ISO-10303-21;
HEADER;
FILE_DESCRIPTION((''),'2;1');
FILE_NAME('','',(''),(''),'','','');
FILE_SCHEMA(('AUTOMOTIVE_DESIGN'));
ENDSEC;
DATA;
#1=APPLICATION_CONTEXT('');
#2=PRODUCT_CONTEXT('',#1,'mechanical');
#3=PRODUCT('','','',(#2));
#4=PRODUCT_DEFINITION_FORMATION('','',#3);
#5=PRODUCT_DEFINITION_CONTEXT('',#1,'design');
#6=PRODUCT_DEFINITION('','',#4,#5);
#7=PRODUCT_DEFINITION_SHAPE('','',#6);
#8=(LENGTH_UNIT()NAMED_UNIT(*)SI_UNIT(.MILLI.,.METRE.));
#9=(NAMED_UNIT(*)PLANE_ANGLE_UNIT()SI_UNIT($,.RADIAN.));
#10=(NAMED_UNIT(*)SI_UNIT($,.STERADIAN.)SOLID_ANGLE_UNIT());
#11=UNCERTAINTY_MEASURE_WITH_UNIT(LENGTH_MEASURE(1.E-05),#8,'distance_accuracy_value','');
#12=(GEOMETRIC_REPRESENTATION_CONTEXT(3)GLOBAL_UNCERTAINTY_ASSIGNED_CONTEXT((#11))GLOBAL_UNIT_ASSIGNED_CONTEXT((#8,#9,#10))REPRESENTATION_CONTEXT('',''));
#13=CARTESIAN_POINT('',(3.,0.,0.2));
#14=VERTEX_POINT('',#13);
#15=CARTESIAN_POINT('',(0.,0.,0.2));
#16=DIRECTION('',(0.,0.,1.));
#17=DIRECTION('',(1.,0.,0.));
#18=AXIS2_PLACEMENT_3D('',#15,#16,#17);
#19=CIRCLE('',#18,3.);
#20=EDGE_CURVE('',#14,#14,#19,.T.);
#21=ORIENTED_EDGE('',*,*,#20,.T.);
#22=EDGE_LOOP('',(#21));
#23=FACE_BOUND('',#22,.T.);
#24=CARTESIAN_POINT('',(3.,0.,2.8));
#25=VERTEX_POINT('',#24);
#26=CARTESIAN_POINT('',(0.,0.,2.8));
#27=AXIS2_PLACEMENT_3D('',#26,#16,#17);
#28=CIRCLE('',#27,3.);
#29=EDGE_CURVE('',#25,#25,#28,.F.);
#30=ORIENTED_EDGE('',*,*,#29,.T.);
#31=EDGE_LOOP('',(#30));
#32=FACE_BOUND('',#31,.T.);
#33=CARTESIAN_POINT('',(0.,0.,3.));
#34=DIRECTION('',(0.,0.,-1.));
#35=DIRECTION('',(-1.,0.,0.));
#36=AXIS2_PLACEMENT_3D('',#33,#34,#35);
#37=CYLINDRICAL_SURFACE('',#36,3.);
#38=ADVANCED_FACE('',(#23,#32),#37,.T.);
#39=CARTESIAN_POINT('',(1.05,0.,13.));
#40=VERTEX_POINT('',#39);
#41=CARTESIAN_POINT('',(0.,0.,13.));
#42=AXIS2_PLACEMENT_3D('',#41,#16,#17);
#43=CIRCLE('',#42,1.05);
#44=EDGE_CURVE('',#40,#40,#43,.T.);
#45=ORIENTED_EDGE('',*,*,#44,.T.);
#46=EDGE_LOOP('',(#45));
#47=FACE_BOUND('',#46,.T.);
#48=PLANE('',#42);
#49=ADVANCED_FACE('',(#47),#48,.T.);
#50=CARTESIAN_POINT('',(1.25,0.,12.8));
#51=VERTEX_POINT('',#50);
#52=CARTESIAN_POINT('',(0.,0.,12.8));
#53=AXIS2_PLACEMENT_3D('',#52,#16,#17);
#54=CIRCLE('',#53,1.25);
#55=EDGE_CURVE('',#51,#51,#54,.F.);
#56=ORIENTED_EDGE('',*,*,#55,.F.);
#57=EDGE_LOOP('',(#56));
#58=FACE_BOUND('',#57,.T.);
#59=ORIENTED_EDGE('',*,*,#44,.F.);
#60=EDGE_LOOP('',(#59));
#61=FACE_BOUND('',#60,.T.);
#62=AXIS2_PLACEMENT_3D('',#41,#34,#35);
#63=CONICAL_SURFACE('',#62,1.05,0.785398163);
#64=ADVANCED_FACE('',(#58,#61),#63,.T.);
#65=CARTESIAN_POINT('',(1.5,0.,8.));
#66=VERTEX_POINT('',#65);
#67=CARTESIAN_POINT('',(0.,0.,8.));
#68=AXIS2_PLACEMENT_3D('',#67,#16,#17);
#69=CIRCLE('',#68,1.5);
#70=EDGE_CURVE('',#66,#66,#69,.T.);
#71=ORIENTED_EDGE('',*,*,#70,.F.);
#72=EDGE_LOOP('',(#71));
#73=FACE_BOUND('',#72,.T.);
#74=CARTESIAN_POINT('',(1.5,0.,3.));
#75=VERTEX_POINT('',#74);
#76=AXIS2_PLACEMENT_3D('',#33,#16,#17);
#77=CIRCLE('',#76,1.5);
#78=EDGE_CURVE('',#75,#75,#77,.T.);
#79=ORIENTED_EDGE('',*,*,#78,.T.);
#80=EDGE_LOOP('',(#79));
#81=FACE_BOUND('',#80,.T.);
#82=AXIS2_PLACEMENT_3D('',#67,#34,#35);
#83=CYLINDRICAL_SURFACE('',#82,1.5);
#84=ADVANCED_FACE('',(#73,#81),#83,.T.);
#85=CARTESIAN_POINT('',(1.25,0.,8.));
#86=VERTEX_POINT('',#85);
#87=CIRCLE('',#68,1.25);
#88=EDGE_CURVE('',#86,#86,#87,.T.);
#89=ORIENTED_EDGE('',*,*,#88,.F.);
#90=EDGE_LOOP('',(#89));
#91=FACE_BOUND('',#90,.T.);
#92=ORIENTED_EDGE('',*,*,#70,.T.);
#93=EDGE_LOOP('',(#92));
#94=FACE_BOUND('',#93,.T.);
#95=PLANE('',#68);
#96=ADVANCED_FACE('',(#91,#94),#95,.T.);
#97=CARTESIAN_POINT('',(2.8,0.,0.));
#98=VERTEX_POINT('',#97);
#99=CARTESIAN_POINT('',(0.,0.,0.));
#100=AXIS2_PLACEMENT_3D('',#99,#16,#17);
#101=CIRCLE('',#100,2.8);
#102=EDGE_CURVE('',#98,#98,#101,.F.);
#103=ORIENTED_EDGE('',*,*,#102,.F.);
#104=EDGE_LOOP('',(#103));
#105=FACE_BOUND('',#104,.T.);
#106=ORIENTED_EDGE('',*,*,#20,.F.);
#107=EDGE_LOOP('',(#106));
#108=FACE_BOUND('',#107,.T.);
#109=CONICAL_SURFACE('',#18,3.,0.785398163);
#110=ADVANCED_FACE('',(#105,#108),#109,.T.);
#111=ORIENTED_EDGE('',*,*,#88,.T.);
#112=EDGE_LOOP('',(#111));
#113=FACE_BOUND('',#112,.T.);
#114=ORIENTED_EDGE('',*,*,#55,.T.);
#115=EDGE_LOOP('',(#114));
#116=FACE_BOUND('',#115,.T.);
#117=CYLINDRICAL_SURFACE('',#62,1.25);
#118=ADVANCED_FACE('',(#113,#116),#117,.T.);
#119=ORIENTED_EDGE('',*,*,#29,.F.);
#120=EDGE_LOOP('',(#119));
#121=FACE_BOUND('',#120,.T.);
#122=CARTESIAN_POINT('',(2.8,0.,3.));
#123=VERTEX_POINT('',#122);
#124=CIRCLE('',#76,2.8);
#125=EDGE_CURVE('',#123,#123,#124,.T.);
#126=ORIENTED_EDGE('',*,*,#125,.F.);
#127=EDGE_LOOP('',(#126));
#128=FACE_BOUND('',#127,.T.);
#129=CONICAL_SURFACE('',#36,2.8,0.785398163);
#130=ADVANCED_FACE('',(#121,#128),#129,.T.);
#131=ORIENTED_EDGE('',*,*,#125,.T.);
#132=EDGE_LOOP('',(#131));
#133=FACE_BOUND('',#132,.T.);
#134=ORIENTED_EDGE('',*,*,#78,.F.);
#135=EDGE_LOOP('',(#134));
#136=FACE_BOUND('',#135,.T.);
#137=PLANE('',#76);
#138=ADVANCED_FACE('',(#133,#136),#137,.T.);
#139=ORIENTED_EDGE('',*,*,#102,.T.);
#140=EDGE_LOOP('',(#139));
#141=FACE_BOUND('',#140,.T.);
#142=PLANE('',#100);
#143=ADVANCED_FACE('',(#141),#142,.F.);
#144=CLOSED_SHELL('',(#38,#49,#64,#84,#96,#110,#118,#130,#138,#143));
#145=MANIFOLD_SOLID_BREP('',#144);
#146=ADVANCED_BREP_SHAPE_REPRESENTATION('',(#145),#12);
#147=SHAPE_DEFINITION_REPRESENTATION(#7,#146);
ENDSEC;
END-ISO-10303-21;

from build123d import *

# Parameters (mm, degrees)
SKETCH_1_R      = 3
EXTRUDE_1_DEPTH = 3
SKETCH_2_R      = 1.5
EXTRUDE_2_DEPTH = 5
SKETCH_3_R      = 1.25
EXTRUDE_3_DEPTH = 5
CHAMFER_1_SIZE  = 0.2


with BuildPart() as part:
    # 草图1 → 凸台-拉伸1 (new body)
    with BuildSketch(Plane.XY):
        Circle(SKETCH_1_R)
    extrude(amount=EXTRUDE_1_DEPTH)

    # 草图2 → 凸台-拉伸2 (add)
    with BuildSketch(Plane.XY.offset(3)):
        Circle(SKETCH_2_R)
    extrude(amount=EXTRUDE_2_DEPTH)

    # 草图3 → 凸台-拉伸3 (add)
    with BuildSketch(Plane.XY.offset(8)):
        Circle(SKETCH_3_R)
    extrude(amount=EXTRUDE_3_DEPTH)

    # 倒角1
    chamfer_1_edges = [part.edges().sort_by_distance(p)[0] for p in [
        (-1.25, 0, 13),
        (-3, 0, 0),
        (-3, 0, 3),
    ]]
    chamfer(chamfer_1_edges, length=CHAMFER_1_SIZE)


solid = part.part
